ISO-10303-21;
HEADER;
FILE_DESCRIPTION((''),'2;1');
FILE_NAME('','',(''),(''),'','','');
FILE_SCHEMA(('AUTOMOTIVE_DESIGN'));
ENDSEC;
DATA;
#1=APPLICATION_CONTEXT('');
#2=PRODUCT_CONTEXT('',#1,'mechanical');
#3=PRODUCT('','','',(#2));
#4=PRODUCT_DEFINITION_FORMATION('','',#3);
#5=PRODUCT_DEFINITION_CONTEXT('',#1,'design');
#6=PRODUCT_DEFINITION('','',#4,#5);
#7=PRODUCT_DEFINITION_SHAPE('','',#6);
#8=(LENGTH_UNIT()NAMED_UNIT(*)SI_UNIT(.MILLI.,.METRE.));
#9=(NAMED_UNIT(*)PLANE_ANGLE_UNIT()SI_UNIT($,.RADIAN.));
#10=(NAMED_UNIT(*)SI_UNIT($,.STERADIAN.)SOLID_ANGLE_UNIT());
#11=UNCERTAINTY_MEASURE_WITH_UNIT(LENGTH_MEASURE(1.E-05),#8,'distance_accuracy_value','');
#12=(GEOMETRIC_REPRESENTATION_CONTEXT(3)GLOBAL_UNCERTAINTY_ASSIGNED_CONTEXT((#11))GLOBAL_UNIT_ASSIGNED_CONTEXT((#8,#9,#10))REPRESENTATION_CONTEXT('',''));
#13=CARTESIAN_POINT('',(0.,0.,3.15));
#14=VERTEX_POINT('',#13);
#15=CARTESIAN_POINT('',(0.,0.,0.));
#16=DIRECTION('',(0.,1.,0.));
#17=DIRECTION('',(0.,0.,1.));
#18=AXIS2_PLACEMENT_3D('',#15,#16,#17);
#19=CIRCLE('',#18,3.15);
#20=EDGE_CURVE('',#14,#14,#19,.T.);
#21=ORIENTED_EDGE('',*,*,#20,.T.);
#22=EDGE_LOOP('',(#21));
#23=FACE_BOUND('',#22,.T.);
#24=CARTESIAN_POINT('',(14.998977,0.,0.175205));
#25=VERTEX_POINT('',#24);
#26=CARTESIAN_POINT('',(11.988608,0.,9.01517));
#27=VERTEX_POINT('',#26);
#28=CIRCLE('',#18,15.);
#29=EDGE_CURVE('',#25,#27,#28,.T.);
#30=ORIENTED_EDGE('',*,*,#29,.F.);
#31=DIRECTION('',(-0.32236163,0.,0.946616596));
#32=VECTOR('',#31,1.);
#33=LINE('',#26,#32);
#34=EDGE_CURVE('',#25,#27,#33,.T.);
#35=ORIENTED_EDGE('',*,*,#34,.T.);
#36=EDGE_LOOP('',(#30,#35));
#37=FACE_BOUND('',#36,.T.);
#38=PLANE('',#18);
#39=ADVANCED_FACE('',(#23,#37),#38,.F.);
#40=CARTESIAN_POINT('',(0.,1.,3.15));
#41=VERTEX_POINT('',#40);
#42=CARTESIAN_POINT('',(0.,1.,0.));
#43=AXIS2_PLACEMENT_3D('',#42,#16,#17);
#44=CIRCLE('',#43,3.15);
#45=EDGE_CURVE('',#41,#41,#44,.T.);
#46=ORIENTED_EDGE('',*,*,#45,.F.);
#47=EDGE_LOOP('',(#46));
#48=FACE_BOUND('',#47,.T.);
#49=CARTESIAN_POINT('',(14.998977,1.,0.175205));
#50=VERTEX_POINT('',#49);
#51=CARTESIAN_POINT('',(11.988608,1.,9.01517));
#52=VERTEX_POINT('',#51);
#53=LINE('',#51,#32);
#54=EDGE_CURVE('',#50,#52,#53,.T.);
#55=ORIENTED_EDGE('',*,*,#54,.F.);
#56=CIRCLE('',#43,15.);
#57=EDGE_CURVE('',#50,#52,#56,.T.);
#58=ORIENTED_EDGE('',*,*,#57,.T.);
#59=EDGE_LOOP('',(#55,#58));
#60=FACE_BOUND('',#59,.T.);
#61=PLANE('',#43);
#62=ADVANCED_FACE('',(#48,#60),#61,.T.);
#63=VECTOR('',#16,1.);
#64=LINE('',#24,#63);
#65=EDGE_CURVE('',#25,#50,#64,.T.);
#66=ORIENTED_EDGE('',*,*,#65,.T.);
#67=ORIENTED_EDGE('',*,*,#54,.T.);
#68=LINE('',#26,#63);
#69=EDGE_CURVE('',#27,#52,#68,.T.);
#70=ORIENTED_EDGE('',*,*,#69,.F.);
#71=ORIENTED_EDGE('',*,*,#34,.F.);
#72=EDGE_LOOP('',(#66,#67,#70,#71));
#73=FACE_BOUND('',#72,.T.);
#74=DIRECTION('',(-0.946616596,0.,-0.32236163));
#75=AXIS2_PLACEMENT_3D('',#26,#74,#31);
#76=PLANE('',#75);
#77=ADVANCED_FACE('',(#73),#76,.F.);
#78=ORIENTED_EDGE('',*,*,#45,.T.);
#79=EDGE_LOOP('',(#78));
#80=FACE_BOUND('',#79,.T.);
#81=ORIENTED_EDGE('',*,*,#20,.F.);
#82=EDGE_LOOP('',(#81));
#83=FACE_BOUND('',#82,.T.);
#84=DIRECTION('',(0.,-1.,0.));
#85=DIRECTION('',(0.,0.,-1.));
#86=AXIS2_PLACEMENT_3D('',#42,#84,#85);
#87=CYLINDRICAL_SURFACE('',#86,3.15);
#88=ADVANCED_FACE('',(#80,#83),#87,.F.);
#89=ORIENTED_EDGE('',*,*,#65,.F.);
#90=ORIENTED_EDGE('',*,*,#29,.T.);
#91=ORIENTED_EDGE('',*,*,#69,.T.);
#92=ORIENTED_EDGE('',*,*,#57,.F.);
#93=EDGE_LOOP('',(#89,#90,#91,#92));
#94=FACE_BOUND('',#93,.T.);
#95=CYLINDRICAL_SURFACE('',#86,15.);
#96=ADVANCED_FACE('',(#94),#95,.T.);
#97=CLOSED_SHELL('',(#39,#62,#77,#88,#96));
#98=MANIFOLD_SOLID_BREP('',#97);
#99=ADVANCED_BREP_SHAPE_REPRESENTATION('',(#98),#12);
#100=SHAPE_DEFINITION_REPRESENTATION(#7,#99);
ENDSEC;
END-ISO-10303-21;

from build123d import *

# Parameters (mm, degrees)
SKIZZE1_R                       = 15
SKIZZE1_R_2                     = 3.15
AUFSATZ_LINEAR_AUSTRAGEN1_DEPTH = 1
SCHNITT_LINEAR_AUSTRAGEN1_DEPTH = 1


with BuildPart() as part:
    # Skizze1 → Aufsatz-Linear austragen1 (new body)
    with BuildSketch(Plane(origin=(0, 0, 0), x_dir=(1, 0, 0), z_dir=(0, 1, 0))):
        with Locations(Location((0, 0, 0), (0, 0, 270))):
            Circle(SKIZZE1_R)
        with Locations(Location((0, 0, 0), (0, 0, 270))):
            Circle(SKIZZE1_R_2, mode=Mode.SUBTRACT)
    extrude(amount=AUFSATZ_LINEAR_AUSTRAGEN1_DEPTH)

    # Skizze2 → Schnitt-Linear austragen1 (cut)
    with BuildSketch(Plane(origin=(0, 1, 0), x_dir=(1, 0, 0), z_dir=(0, 1, 0))):
        Polygon((11.988607619, -9.015169846), (14.998976734, -0.175205365), (16.976738313, -0.848713996), (13.966369198, -9.688678477), align=None)
    extrude(amount=-SCHNITT_LINEAR_AUSTRAGEN1_DEPTH, mode=Mode.SUBTRACT)


solid = part.part
